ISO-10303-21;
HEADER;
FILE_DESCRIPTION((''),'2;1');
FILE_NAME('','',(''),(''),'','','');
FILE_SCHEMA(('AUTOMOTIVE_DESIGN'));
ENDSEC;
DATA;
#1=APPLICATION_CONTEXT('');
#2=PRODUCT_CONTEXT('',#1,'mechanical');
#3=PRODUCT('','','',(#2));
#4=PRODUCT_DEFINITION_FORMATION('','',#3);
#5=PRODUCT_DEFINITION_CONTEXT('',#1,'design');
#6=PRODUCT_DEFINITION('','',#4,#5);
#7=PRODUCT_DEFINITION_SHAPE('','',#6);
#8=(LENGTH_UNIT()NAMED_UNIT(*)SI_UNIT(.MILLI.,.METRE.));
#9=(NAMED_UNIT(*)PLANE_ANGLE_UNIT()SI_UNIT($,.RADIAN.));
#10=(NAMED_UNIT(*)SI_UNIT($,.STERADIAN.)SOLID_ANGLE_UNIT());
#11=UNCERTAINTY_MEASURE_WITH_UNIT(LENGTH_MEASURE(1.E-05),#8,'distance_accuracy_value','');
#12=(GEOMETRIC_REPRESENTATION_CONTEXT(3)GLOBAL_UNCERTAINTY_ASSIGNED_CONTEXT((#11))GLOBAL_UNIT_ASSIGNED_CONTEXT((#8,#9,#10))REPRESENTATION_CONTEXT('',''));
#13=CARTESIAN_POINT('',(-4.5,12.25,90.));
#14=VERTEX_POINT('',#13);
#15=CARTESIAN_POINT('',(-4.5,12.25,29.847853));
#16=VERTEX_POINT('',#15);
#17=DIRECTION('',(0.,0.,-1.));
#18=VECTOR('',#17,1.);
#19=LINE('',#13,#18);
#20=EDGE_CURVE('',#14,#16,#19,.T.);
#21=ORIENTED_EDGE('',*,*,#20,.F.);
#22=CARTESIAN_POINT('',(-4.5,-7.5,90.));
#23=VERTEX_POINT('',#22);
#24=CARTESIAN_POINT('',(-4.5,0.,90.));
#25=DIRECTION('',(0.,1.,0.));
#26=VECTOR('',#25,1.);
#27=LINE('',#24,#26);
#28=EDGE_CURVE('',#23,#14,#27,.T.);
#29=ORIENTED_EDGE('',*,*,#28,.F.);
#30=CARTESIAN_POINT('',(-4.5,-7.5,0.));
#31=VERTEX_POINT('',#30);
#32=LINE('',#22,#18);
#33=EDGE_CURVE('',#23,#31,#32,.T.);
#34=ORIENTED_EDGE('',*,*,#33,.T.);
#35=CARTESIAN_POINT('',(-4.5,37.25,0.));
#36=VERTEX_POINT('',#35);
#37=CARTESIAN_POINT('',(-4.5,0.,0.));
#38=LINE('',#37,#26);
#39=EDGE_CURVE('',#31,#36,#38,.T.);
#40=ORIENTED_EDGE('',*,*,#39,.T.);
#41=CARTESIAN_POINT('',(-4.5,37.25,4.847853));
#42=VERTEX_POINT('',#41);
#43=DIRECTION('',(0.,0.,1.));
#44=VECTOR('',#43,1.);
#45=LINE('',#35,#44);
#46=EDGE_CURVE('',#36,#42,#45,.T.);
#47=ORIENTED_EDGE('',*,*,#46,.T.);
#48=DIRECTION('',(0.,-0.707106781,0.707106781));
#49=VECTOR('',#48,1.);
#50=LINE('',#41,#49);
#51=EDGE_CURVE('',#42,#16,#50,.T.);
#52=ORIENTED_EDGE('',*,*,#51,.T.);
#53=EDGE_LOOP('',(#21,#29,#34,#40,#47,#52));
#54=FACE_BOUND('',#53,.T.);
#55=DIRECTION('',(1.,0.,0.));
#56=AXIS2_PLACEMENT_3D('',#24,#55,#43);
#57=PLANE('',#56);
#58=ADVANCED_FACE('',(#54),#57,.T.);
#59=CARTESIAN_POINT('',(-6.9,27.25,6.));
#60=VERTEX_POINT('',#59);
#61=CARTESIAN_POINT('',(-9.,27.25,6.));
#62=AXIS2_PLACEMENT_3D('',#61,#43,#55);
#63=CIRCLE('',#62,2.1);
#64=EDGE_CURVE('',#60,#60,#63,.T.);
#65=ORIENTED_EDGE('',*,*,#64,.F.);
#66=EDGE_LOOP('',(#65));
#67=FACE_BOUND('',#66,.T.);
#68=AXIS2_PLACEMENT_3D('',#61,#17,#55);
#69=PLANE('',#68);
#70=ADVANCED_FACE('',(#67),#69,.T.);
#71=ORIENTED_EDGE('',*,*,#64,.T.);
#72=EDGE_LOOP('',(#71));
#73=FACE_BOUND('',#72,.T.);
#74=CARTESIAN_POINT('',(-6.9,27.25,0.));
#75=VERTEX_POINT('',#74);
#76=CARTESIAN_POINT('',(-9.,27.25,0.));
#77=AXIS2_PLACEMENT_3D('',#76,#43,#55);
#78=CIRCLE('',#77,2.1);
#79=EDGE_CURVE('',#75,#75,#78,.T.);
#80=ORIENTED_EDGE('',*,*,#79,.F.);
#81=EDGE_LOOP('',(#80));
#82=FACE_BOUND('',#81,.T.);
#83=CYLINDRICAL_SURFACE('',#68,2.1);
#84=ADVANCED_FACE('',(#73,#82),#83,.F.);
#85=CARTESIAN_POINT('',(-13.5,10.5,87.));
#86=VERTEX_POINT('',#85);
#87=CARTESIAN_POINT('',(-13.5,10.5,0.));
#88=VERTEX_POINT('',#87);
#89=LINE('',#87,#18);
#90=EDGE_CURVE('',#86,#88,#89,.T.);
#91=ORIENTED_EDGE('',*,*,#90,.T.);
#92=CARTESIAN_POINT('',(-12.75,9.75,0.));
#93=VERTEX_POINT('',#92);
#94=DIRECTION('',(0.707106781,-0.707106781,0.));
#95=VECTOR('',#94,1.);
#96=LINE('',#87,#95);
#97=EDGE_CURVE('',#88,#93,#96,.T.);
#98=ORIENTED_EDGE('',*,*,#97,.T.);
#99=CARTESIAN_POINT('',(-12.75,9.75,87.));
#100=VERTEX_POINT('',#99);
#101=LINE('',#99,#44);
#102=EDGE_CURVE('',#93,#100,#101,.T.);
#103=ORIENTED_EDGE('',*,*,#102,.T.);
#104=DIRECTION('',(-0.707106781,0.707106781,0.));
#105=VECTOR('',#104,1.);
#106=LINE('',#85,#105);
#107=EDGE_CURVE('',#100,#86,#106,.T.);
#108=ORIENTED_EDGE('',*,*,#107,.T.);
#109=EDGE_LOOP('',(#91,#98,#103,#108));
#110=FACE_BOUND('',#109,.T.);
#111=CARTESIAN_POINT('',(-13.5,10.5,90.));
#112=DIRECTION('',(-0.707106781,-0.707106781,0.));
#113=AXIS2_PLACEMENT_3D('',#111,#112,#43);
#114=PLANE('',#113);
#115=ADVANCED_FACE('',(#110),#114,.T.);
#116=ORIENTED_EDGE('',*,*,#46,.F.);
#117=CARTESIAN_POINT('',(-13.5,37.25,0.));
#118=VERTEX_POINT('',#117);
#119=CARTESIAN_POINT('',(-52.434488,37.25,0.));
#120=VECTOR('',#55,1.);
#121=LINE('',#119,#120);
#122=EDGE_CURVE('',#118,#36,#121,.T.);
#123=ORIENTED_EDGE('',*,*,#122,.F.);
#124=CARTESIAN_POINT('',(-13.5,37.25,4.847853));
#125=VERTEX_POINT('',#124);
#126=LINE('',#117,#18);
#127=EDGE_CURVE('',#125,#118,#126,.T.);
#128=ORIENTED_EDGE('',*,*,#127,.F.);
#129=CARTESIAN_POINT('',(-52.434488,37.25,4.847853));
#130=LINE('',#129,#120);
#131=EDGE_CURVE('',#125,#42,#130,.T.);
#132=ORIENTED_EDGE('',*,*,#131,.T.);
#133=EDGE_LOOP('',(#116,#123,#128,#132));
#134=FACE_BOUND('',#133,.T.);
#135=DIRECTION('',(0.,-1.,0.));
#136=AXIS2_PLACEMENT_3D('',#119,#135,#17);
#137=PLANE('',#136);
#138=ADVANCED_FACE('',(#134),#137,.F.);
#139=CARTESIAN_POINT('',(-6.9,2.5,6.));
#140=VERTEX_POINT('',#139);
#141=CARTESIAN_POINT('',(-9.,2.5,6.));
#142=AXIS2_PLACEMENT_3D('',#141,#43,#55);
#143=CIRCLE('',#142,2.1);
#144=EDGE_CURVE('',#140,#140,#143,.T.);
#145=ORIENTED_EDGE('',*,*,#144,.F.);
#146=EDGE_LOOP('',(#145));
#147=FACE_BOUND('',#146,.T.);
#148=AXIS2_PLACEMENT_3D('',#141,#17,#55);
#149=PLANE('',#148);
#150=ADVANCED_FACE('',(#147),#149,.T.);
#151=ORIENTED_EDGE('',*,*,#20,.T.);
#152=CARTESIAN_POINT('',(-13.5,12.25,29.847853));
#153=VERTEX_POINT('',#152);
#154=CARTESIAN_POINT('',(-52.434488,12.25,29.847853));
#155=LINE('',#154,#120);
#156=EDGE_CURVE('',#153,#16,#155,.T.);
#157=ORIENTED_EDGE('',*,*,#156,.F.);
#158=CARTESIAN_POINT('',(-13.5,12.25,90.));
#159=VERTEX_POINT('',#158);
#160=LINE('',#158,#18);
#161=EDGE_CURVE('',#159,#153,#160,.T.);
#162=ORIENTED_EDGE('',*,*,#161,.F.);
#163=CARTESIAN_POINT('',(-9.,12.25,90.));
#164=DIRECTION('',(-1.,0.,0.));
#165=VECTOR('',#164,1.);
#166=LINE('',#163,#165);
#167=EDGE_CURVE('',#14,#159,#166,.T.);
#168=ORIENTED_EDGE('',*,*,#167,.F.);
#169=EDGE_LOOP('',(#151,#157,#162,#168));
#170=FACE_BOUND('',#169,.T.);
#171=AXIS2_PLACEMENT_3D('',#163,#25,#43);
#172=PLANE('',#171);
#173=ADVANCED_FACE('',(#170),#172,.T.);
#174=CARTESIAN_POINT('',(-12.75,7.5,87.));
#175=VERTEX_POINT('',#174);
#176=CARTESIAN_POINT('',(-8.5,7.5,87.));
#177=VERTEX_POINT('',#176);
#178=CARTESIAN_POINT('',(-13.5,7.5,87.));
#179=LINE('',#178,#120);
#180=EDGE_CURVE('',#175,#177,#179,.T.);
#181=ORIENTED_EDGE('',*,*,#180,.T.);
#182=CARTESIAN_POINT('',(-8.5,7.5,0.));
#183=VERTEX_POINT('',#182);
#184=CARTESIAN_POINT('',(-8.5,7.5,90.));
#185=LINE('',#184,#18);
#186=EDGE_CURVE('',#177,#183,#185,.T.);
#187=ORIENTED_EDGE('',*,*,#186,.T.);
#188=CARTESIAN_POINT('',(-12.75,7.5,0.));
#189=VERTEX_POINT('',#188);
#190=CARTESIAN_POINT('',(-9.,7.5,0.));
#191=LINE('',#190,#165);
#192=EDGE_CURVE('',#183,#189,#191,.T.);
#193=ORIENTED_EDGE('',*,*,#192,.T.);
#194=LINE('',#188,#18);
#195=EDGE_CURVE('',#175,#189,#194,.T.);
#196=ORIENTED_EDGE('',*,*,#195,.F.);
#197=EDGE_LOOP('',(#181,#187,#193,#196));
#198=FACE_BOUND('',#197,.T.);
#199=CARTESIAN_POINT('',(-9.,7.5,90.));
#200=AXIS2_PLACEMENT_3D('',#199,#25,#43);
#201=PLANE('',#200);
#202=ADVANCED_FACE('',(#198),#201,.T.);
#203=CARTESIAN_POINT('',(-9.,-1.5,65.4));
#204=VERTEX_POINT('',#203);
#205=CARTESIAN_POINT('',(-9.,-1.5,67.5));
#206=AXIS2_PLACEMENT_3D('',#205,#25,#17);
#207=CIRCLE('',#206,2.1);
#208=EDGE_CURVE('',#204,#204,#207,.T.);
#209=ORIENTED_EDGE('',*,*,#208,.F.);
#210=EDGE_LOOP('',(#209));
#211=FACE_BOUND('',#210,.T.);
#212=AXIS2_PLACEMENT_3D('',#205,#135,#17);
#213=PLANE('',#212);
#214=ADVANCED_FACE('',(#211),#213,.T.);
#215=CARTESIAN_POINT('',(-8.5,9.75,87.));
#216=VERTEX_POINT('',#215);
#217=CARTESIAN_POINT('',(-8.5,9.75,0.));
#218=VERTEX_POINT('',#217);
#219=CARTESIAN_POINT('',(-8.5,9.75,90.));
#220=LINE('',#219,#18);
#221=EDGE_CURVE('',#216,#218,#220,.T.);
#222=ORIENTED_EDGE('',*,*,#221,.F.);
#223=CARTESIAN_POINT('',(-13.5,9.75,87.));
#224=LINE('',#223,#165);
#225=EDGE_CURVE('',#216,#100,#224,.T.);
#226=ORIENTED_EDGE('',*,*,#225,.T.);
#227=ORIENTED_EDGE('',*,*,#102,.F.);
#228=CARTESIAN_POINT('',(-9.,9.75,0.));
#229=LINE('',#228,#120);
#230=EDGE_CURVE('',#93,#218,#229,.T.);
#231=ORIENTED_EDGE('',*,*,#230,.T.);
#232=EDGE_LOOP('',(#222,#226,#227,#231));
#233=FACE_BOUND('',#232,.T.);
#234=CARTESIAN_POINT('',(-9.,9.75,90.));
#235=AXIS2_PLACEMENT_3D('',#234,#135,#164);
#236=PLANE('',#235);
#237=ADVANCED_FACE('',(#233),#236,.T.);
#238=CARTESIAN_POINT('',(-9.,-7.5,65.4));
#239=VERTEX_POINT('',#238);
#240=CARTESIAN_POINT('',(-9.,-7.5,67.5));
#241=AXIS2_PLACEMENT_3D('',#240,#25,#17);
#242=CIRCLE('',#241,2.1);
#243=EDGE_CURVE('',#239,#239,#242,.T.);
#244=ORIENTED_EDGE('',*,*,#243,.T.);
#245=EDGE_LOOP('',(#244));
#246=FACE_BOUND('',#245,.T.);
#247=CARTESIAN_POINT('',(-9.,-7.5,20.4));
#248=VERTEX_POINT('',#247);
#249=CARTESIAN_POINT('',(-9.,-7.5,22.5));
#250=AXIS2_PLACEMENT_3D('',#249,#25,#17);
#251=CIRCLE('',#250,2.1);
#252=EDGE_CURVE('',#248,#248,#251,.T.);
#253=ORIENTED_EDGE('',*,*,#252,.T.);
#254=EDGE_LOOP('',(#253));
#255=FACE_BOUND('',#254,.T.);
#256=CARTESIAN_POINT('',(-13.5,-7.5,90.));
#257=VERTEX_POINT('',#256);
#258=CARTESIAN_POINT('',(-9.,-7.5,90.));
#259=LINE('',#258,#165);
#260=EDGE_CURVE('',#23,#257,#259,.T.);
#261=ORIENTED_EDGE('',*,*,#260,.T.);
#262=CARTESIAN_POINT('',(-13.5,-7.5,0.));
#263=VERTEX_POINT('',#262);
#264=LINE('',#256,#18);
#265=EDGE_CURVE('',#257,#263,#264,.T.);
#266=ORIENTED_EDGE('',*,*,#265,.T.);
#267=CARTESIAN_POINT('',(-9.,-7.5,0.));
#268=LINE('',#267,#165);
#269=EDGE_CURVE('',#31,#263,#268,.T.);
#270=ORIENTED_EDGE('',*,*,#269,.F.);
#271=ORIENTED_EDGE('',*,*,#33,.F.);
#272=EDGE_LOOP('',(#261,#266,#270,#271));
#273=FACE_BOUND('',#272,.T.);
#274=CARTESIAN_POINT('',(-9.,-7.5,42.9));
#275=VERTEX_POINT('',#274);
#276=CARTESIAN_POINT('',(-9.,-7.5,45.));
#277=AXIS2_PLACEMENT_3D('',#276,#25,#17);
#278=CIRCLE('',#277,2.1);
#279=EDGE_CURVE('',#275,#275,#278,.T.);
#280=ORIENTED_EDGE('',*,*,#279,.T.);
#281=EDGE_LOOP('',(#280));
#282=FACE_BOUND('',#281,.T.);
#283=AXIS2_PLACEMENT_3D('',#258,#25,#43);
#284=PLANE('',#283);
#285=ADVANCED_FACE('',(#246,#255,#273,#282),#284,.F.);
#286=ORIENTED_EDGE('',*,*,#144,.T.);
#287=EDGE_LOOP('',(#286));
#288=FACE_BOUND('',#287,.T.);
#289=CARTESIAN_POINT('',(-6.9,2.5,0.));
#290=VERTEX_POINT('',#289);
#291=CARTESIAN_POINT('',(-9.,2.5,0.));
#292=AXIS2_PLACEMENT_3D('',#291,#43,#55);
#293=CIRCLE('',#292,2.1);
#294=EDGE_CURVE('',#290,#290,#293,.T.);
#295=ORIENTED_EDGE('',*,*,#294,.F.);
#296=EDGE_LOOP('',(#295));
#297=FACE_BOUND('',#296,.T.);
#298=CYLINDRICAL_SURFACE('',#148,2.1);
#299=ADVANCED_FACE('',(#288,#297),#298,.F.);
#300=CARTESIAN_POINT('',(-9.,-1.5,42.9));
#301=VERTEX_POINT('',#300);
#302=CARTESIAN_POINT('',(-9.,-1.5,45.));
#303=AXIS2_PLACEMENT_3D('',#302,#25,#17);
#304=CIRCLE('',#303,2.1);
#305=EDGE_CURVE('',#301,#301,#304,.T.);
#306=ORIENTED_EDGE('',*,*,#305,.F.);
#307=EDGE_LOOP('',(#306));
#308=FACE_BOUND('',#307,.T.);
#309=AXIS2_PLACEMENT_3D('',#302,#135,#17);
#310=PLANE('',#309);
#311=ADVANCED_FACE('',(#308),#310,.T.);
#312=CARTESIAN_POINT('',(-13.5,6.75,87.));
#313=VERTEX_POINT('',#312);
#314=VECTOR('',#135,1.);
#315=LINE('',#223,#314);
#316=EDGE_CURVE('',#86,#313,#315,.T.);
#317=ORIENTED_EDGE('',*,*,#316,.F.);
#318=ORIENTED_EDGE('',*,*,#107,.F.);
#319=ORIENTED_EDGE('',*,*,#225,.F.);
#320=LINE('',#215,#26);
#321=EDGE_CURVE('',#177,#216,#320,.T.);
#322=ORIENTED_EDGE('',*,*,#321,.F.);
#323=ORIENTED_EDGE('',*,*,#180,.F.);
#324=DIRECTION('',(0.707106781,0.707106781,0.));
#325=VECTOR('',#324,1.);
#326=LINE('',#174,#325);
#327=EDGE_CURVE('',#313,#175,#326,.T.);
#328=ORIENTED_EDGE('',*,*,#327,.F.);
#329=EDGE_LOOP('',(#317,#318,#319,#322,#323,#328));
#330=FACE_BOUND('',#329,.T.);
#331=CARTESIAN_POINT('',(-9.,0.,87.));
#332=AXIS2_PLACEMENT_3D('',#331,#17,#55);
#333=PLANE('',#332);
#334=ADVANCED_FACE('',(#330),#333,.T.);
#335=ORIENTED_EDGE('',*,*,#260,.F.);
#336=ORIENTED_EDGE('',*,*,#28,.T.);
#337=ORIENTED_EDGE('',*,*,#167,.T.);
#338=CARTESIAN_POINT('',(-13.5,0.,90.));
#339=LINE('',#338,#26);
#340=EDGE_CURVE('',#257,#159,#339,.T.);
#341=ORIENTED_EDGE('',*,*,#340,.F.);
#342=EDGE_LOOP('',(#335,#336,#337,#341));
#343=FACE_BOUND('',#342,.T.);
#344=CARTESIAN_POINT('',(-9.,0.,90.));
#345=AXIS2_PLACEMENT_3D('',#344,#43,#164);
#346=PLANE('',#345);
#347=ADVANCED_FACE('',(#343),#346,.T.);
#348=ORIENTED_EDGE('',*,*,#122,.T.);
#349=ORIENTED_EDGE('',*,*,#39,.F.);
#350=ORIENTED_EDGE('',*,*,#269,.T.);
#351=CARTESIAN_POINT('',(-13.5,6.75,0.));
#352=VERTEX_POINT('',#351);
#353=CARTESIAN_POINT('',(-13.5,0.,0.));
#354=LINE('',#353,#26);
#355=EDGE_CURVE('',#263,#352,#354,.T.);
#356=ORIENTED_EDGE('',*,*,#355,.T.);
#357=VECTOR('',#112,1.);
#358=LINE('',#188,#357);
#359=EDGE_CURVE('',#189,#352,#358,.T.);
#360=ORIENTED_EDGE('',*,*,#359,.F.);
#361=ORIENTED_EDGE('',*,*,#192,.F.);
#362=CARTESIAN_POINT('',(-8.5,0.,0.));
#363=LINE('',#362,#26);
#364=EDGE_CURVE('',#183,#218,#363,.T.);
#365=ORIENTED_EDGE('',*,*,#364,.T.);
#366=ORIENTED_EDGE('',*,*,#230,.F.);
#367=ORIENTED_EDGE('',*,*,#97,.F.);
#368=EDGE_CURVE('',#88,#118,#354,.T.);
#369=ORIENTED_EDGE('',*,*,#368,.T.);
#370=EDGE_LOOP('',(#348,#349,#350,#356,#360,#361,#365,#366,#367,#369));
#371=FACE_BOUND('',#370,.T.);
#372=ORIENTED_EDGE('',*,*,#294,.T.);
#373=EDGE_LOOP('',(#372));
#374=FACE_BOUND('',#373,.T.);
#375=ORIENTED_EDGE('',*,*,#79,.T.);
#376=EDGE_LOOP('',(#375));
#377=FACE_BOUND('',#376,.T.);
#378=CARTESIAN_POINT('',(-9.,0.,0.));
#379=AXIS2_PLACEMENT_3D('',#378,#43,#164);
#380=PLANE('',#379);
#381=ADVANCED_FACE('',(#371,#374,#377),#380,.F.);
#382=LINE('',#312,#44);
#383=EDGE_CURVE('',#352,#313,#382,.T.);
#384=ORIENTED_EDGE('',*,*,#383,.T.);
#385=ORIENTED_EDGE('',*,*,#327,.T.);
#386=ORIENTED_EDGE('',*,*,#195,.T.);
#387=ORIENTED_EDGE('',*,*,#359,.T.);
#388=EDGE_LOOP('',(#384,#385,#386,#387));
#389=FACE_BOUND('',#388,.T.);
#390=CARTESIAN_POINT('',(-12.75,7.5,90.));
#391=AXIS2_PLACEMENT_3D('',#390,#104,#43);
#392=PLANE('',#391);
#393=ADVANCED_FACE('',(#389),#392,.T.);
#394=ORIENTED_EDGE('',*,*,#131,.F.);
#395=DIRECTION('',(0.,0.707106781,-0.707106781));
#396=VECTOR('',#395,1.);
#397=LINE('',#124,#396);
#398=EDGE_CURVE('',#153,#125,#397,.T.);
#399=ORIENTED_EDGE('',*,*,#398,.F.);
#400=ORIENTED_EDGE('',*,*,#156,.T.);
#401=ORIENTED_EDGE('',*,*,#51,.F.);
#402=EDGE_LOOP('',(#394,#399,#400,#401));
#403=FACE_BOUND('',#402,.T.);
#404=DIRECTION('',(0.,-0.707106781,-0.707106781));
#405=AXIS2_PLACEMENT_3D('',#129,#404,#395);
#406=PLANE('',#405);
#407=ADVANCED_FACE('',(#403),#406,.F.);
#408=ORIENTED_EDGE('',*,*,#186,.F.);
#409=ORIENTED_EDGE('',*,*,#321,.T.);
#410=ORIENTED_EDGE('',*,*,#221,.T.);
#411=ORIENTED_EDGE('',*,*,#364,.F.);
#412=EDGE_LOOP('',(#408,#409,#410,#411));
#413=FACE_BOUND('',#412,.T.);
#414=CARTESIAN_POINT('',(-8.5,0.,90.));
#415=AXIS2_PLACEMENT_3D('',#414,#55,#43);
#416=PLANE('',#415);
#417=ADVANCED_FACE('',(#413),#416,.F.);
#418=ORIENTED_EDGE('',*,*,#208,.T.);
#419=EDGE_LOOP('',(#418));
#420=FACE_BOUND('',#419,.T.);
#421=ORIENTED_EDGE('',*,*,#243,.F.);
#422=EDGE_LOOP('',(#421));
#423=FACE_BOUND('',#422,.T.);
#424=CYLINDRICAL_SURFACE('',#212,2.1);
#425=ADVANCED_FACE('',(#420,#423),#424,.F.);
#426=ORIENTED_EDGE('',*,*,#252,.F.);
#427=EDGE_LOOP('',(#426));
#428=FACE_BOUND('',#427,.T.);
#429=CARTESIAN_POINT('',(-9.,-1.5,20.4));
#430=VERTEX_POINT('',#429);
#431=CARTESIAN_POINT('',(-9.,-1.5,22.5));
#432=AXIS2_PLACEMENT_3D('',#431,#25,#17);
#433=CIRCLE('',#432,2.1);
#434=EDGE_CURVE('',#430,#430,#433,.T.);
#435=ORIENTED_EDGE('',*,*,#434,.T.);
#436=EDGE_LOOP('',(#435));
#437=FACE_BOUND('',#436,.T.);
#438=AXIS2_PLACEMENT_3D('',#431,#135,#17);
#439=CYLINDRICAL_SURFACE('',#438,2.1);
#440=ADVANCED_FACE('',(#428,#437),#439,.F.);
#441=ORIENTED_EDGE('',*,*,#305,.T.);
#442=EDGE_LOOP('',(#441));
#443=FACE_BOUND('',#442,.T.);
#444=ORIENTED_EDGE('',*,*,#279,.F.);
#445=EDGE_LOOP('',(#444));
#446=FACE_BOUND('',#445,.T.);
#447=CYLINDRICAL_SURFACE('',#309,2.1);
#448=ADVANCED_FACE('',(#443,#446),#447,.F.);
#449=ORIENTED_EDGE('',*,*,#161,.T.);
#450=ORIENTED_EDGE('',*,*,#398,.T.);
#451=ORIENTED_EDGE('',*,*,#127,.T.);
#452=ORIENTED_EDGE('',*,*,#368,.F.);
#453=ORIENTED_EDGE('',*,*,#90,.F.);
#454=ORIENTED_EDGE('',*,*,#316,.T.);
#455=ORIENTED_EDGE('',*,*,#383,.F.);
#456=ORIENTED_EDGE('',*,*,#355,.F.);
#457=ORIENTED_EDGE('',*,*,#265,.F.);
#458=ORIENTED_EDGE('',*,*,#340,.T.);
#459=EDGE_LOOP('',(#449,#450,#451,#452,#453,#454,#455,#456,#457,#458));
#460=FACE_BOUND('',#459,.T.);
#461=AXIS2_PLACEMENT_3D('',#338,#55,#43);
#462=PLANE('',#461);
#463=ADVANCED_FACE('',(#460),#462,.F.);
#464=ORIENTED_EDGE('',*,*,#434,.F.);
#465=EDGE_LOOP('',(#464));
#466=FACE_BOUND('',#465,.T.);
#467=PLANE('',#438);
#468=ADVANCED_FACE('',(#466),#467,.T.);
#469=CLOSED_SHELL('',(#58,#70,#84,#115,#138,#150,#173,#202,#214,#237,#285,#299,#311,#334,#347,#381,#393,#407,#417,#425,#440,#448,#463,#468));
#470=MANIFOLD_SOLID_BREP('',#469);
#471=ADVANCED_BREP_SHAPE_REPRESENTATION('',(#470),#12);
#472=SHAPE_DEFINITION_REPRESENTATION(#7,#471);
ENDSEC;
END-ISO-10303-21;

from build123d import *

# Parameters (mm, degrees)
SKETCH_1_W          = 9
SKETCH_1_H          = 15
EXTRUDE_1_DEPTH     = 90
SKETCH_2_R          = 2.1
CUT_EXTRUDE_1_DEPTH = 6
SKETCH_3_W          = 5
SKETCH_3_H          = 2.25
EXTRUDE_2_DEPTH     = 3
CHAMFER_1_SIZE      = 0.75
EXTRUDE_3_DEPTH     = 9
SKETCH_4_R          = 2.1
CUT_EXTRUDE_2_DEPTH = 6


with BuildPart() as part:
    # Эскиз1 → Бобышка-Вытянуть1 (new body)
    with BuildSketch(Plane.XY):
        Rectangle(SKETCH_1_W, SKETCH_1_H)
        Polygon((-4.5, 12.25), (-4.5, 7.5), (-0.5, 7.5), (-0.5, 9.75), (4.5, 9.75), (4.5, 12.25), align=None)
    extrude(amount=EXTRUDE_1_DEPTH)

    # Эскиз2 → Вырез-Вытянуть1 (cut)
    with BuildSketch(Plane.XZ.offset(7.5)):
        with Locations(Location((0, 22.5, 0), (0, 0, 270))):
            Circle(SKETCH_2_R)
        with Locations(Location((0, 67.5, 0), (0, 0, 270))):
            Circle(SKETCH_2_R)
        with Locations(Location((0, 45, 0), (0, 0, 270))):
            Circle(SKETCH_2_R)
    extrude(amount=-CUT_EXTRUDE_1_DEPTH, mode=Mode.SUBTRACT)

    # Эскиз3 → Бобышка-Вытянуть2 (add)
    with BuildSketch(Plane(origin=(0, 0, 90), x_dir=(-1, 0, 0), z_dir=(0, 0, -1))):
        with Locations((-2, 8.625)):
            Rectangle(SKETCH_3_W, SKETCH_3_H)
    extrude(amount=EXTRUDE_2_DEPTH)

    # Фаска1
    chamfer_1_edges = [part.edges().sort_by_distance(p)[0] for p in [
        (4.5, 9.75, 43.5),
        (4.5, 7.5, 43.5),
    ]]
    chamfer(chamfer_1_edges, length=CHAMFER_1_SIZE)

    # Эскиз5 → Бобышка-Вытянуть3 (add)
    with BuildSketch(Plane.ZY.offset(4.5)):
        Polygon((0, 12.25), (0, 37.25), (4.84785343, 37.25), (29.84785343, 12.25), align=None)
    extrude(amount=-EXTRUDE_3_DEPTH)

    # Эскиз4 → Вырез-Вытянуть2 (cut)
    with BuildSketch(Plane(origin=(0, 0, 0), x_dir=(-1, 0, 0), z_dir=(0, 0, -1))):
        with Locations((0, 2.5)):
            Circle(SKETCH_4_R)
        with Locations((0, 27.25)):
            Circle(SKETCH_4_R)
    extrude(amount=-CUT_EXTRUDE_2_DEPTH, mode=Mode.SUBTRACT)


with BuildPart() as body_2:
    # Зеркальное отражение1: mirrored copy
    add(part.part.mirror(Plane(origin=(-4.5, 0, 90), x_dir=(0, 0, 1), z_dir=(-1, 0, 0))))


solid = body_2.part
